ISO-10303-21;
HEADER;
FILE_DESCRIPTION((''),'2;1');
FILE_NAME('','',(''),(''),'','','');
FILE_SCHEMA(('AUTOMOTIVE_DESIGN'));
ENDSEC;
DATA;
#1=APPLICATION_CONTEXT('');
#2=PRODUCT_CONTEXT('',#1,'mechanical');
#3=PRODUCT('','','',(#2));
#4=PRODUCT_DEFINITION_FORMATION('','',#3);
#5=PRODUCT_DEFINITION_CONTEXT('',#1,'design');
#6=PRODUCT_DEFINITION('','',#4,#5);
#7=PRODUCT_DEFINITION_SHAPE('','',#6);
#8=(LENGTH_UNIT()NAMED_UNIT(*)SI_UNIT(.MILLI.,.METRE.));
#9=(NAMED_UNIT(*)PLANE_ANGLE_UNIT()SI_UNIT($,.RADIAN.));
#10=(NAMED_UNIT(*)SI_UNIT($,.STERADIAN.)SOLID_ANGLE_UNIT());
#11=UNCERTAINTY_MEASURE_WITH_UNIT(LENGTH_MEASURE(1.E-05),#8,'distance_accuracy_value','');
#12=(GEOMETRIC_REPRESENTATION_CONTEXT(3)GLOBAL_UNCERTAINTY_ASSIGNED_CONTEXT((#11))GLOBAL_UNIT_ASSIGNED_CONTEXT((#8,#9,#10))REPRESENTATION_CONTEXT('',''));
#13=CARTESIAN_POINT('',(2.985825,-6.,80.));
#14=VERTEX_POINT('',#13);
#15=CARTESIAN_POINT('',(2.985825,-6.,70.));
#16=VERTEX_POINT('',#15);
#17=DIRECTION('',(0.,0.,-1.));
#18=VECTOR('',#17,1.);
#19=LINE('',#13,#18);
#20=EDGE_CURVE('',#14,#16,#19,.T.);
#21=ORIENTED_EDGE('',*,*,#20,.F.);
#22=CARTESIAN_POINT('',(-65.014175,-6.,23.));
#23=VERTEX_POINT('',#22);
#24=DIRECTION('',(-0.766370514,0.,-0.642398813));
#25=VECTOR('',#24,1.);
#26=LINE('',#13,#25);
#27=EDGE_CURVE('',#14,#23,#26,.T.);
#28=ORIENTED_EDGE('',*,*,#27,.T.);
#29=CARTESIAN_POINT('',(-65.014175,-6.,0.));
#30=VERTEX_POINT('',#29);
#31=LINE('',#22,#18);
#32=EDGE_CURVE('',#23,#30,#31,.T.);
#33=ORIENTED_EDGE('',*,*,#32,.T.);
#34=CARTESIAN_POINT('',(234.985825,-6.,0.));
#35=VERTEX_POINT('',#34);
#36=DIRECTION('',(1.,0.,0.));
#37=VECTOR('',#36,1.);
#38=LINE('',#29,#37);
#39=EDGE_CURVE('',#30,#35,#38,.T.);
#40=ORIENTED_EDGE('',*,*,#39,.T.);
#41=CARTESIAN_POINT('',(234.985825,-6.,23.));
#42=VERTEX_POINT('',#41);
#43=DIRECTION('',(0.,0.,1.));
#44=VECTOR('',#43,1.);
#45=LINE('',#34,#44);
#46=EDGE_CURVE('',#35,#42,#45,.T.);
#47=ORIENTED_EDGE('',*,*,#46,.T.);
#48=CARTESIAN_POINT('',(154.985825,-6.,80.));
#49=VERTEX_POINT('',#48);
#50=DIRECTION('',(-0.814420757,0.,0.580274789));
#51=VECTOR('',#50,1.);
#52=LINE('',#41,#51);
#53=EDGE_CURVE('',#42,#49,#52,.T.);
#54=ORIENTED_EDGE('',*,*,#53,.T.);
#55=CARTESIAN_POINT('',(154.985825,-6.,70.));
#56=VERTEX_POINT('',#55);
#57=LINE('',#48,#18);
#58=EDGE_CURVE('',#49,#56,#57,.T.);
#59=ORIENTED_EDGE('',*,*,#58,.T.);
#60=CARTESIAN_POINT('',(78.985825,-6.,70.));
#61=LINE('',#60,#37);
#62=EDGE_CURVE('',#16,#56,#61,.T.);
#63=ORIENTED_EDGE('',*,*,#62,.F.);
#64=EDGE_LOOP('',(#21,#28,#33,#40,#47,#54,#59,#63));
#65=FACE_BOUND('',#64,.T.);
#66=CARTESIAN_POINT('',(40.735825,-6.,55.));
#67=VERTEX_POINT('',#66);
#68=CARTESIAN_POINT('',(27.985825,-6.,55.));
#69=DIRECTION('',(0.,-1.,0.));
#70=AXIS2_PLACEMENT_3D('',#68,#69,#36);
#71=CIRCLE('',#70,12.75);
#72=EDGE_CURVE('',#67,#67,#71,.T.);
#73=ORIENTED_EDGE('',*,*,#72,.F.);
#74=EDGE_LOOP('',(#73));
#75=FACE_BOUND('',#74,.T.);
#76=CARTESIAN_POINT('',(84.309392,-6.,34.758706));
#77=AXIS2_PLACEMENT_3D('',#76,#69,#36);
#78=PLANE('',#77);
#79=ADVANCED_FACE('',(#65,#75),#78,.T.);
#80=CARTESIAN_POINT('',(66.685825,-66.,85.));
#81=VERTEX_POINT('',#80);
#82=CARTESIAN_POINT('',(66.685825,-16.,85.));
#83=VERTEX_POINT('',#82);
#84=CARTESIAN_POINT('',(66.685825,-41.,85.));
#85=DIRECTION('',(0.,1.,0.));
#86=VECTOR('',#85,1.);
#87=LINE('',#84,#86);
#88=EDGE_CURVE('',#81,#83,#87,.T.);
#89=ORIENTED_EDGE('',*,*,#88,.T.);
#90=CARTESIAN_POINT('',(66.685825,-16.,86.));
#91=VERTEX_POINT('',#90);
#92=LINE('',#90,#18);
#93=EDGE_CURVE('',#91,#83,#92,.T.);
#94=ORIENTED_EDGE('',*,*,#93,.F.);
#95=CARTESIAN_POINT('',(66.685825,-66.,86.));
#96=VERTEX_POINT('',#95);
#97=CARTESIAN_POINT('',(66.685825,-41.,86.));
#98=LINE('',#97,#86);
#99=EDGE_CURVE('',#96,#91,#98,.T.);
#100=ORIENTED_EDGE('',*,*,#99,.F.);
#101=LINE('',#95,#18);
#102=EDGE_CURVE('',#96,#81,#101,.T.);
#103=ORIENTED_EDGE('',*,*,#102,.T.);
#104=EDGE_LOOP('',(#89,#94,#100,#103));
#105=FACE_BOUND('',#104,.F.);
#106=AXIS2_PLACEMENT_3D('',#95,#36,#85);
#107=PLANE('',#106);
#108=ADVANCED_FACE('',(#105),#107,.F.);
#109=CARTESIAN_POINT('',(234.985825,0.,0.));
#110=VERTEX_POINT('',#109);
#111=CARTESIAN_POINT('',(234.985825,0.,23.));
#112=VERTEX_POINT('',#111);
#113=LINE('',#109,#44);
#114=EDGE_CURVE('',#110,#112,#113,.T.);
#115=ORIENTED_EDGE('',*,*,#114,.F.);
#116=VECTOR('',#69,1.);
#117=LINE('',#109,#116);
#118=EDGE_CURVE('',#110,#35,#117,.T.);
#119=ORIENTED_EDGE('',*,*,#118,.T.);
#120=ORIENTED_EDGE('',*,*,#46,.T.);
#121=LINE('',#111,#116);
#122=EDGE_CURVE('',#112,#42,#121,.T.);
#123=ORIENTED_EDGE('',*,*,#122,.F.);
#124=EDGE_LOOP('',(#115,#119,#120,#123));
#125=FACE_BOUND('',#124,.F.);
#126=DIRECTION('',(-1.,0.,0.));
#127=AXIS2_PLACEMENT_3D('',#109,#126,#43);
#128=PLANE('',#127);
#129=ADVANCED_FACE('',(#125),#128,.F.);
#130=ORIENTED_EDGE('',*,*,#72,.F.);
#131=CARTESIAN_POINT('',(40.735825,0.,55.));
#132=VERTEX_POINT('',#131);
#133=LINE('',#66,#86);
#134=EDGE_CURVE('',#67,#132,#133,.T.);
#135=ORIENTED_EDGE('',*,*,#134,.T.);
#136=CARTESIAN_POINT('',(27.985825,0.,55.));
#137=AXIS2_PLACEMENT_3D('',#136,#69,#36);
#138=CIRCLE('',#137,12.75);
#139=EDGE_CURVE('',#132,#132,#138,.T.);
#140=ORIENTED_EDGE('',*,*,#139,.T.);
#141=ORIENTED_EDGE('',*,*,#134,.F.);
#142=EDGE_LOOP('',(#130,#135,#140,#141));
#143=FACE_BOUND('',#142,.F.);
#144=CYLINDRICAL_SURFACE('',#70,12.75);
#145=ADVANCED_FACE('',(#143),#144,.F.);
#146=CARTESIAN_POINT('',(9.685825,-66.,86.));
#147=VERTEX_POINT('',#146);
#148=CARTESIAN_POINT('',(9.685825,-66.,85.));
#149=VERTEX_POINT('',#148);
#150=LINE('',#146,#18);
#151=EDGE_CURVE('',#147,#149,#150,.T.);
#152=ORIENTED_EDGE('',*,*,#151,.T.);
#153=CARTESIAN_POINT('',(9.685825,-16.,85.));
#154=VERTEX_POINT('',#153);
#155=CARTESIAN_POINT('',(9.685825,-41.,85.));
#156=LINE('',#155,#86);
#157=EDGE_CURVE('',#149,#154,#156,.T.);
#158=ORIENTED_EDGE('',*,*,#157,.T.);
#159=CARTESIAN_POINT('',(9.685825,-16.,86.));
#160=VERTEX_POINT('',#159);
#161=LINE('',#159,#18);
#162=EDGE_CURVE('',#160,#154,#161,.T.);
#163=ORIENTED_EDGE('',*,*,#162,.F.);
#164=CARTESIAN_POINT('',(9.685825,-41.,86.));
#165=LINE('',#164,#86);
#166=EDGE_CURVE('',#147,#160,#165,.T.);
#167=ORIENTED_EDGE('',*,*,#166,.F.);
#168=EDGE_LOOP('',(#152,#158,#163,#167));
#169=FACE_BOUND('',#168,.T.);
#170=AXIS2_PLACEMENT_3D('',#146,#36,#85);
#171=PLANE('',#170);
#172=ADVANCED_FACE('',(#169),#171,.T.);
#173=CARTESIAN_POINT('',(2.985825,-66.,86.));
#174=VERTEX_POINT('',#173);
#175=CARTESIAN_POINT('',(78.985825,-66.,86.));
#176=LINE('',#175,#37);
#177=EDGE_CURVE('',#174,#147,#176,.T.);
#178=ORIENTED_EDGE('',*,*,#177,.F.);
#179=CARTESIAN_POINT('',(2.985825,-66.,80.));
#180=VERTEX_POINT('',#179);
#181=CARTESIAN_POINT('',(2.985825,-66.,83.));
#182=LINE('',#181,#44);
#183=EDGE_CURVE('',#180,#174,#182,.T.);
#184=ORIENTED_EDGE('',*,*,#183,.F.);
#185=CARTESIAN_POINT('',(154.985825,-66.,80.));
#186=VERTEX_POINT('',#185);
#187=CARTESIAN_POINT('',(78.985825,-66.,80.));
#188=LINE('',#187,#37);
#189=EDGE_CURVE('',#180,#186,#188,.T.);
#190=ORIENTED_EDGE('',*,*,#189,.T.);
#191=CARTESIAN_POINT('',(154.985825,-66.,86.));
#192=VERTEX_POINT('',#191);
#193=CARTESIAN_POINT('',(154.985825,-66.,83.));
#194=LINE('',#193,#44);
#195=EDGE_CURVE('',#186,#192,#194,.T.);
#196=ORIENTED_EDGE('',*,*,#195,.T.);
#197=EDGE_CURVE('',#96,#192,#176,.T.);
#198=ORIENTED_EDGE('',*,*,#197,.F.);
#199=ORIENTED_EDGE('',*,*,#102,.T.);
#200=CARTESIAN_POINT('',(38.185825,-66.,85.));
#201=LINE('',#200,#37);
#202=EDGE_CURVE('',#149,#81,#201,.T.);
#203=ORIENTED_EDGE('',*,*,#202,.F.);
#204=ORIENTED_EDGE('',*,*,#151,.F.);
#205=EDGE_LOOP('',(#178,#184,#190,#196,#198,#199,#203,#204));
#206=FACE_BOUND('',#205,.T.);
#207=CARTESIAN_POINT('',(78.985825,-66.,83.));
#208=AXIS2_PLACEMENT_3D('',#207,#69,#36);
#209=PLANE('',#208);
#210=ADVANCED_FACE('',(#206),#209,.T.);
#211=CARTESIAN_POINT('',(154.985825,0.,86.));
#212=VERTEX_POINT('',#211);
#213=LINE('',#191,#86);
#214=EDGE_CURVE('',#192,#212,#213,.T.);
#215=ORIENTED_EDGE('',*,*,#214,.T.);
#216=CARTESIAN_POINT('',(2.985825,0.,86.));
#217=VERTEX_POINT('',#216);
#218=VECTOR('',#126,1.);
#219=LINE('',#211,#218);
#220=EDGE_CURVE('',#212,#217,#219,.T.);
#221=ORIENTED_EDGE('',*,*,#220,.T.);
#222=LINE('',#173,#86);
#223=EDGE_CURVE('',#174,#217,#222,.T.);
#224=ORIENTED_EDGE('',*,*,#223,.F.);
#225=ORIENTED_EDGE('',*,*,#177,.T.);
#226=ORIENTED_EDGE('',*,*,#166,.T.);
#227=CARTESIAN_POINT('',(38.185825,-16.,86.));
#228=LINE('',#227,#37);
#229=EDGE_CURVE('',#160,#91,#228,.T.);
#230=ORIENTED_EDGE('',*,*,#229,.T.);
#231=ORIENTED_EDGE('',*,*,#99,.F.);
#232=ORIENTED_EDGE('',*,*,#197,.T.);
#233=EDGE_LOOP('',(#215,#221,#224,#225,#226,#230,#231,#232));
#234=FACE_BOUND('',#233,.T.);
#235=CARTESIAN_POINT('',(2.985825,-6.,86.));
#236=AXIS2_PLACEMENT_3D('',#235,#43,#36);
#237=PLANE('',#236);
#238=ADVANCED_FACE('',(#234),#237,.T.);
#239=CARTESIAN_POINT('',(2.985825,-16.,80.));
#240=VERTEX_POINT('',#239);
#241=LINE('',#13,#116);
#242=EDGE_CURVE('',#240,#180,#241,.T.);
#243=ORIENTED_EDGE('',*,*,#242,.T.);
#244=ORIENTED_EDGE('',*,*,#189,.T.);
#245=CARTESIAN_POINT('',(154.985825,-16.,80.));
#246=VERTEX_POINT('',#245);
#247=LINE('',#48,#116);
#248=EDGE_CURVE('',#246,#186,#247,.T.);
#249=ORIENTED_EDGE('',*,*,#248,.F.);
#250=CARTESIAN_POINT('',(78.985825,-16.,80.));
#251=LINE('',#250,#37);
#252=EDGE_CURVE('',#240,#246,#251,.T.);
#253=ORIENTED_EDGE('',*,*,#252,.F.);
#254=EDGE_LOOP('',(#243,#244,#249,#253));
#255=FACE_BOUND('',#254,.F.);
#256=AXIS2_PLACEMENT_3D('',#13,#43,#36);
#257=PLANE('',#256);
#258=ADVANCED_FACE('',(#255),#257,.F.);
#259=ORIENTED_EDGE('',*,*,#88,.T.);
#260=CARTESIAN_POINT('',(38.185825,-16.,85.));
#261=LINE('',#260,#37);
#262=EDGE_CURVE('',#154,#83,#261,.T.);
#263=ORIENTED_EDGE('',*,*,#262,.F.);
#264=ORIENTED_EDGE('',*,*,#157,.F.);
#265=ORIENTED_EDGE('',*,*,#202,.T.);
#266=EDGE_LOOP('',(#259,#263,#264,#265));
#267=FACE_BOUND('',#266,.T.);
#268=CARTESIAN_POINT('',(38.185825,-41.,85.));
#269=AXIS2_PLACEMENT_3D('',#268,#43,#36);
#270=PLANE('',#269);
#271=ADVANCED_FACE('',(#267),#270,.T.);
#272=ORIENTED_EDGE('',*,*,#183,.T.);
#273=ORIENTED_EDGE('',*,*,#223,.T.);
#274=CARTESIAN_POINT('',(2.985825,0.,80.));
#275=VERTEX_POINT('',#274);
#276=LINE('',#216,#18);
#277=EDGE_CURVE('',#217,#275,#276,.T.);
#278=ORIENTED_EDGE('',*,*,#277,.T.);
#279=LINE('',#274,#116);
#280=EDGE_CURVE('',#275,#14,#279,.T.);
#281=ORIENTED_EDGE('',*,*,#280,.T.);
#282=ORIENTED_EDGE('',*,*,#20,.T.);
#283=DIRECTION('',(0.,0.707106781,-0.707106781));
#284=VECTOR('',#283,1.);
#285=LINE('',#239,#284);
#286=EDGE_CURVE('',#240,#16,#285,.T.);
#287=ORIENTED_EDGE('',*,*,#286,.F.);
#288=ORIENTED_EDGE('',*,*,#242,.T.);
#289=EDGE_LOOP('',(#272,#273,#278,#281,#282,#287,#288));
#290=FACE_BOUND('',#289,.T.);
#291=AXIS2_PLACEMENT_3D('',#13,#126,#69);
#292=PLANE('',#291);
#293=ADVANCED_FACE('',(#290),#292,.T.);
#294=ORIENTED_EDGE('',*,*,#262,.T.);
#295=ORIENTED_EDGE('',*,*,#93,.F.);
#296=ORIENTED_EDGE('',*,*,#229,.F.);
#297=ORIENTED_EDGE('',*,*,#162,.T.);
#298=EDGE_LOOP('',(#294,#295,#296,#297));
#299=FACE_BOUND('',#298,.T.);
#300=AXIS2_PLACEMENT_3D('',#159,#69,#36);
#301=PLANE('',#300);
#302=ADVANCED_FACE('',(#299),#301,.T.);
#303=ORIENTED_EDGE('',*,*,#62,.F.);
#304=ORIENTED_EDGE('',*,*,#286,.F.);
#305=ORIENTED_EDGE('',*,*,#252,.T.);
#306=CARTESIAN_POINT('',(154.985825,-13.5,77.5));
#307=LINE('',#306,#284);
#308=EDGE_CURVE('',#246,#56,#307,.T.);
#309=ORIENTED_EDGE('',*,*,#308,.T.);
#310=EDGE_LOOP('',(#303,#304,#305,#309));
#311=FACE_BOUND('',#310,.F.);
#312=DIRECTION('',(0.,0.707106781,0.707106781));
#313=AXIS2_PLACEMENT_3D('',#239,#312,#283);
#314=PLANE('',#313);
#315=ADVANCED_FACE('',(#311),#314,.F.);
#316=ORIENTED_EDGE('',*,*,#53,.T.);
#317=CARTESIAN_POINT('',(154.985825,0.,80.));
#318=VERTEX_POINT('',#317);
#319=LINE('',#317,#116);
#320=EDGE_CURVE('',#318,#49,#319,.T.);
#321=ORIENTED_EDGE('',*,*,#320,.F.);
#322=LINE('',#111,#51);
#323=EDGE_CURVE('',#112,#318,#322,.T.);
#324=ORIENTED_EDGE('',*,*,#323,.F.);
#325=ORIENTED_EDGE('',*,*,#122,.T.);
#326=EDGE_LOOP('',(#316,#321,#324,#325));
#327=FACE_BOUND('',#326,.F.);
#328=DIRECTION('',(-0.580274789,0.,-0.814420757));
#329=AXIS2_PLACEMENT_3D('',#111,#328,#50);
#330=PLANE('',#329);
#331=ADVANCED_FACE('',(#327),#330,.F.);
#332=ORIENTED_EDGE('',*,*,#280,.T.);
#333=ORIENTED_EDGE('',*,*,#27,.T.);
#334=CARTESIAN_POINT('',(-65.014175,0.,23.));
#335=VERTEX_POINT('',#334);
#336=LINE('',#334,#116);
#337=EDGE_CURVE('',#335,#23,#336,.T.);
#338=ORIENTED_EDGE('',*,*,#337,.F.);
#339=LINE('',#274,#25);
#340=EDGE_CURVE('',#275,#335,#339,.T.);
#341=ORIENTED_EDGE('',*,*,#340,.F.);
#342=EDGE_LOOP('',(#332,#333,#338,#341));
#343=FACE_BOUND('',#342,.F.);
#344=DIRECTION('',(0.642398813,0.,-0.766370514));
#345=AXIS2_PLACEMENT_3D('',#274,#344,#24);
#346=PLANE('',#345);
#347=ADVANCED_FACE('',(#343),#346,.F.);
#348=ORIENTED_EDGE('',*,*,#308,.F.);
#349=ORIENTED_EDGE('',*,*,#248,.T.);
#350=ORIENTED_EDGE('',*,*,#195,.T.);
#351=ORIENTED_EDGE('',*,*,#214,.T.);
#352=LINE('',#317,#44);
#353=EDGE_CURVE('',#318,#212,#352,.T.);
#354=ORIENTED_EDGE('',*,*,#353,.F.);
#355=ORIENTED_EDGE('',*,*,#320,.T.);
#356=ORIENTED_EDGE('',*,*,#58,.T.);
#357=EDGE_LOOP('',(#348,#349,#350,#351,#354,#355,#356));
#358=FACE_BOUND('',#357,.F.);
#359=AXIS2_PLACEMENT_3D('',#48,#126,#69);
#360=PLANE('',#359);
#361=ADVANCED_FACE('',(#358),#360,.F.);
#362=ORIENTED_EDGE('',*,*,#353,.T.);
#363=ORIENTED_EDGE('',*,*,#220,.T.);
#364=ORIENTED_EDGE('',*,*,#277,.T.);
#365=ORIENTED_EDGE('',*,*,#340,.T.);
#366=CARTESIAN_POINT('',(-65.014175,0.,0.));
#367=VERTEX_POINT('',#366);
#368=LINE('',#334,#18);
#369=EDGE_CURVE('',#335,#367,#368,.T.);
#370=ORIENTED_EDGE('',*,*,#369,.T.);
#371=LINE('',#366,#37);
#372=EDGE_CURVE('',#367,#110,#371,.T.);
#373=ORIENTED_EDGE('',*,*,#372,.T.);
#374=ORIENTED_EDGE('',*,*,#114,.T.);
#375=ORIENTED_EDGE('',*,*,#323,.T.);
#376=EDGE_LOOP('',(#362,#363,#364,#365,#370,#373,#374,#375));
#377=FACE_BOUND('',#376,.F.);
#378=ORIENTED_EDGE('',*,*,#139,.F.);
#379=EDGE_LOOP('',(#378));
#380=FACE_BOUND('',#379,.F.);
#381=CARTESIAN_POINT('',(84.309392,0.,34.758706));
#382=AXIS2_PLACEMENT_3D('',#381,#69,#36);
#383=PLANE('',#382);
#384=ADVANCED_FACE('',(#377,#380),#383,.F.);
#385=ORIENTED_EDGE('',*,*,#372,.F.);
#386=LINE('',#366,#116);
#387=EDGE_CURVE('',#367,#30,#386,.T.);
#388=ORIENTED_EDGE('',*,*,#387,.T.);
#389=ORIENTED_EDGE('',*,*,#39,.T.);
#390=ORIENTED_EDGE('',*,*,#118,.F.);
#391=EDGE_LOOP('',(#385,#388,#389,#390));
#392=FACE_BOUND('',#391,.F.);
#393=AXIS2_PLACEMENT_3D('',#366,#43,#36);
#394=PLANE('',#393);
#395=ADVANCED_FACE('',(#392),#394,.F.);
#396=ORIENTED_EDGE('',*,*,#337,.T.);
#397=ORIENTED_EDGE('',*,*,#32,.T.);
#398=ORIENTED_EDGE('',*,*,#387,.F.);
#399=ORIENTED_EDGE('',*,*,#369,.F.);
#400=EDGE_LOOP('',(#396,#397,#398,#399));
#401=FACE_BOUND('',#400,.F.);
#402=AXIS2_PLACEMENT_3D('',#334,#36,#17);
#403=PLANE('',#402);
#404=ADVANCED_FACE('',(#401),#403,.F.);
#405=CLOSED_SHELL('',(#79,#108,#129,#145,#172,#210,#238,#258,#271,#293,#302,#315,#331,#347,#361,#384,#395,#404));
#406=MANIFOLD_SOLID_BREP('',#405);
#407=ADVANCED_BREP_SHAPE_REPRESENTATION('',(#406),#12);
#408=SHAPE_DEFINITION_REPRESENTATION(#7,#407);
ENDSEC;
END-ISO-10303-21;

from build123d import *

# Parameters (mm, degrees)
F1_DEPTH  = 6
F2_W      = 152
F2_H      = 6
F3_DEPTH  = 60
F4_W      = 57
F4_H      = 50
F5_DEPTH  = 1
F6_W      = 152
F6_H      = 10
F7_DEPTH  = 10
F9_DEPTH  = 160
F10_R     = 12.75
F11_DEPTH = 25


with BuildPart() as f1:
    # F0 (on Front) → F1 (new body)
    with BuildSketch(Plane.XZ):
        Polygon((-65.014175, 23), (-65.014175, 0), (234.985825, 0), (234.985825, 23), (154.985825, 80), (154.985825, 86), (2.985825, 86), (2.985825, 80), align=None)
    extrude(amount=F1_DEPTH)

    # F2 (on face) → F3 (join)
    with BuildSketch(Plane.XZ.offset(6)):
        with Locations((78.985825, 83)):
            Rectangle(F2_W, F2_H)
    extrude(amount=F3_DEPTH)

    # F4 (on face) → F5 (cut)
    with BuildSketch(Plane.XY.offset(86)):
        with Locations((38.185825, -41)):
            Rectangle(F4_W, F4_H)
    extrude(amount=-F5_DEPTH, mode=Mode.SUBTRACT)

    # F6 (on face) → F7 (join)
    with BuildSketch(Plane(origin=(0, 0, 80), x_dir=(1, 0, 0), z_dir=(0, 0, -1))):
        with Locations((78.985825, 11)):
            Rectangle(F6_W, F6_H)
    extrude(amount=F7_DEPTH)

    # F8 (on face) → F9 (cut)
    with BuildSketch(Plane(origin=(2.985825, 0, 0), x_dir=(0, -1, 0), z_dir=(-1, 0, 0))):
        Polygon((16, 70), (16, 80), (6, 70), align=None)
    extrude(amount=-F9_DEPTH, mode=Mode.SUBTRACT)

    # F10 (on face) → F11 (cut)
    with BuildSketch(Plane.XZ.offset(6)):
        with Locations((27.985825, 55)):
            Circle(F10_R)
    extrude(amount=-F11_DEPTH, mode=Mode.SUBTRACT)


solid = f1.part
